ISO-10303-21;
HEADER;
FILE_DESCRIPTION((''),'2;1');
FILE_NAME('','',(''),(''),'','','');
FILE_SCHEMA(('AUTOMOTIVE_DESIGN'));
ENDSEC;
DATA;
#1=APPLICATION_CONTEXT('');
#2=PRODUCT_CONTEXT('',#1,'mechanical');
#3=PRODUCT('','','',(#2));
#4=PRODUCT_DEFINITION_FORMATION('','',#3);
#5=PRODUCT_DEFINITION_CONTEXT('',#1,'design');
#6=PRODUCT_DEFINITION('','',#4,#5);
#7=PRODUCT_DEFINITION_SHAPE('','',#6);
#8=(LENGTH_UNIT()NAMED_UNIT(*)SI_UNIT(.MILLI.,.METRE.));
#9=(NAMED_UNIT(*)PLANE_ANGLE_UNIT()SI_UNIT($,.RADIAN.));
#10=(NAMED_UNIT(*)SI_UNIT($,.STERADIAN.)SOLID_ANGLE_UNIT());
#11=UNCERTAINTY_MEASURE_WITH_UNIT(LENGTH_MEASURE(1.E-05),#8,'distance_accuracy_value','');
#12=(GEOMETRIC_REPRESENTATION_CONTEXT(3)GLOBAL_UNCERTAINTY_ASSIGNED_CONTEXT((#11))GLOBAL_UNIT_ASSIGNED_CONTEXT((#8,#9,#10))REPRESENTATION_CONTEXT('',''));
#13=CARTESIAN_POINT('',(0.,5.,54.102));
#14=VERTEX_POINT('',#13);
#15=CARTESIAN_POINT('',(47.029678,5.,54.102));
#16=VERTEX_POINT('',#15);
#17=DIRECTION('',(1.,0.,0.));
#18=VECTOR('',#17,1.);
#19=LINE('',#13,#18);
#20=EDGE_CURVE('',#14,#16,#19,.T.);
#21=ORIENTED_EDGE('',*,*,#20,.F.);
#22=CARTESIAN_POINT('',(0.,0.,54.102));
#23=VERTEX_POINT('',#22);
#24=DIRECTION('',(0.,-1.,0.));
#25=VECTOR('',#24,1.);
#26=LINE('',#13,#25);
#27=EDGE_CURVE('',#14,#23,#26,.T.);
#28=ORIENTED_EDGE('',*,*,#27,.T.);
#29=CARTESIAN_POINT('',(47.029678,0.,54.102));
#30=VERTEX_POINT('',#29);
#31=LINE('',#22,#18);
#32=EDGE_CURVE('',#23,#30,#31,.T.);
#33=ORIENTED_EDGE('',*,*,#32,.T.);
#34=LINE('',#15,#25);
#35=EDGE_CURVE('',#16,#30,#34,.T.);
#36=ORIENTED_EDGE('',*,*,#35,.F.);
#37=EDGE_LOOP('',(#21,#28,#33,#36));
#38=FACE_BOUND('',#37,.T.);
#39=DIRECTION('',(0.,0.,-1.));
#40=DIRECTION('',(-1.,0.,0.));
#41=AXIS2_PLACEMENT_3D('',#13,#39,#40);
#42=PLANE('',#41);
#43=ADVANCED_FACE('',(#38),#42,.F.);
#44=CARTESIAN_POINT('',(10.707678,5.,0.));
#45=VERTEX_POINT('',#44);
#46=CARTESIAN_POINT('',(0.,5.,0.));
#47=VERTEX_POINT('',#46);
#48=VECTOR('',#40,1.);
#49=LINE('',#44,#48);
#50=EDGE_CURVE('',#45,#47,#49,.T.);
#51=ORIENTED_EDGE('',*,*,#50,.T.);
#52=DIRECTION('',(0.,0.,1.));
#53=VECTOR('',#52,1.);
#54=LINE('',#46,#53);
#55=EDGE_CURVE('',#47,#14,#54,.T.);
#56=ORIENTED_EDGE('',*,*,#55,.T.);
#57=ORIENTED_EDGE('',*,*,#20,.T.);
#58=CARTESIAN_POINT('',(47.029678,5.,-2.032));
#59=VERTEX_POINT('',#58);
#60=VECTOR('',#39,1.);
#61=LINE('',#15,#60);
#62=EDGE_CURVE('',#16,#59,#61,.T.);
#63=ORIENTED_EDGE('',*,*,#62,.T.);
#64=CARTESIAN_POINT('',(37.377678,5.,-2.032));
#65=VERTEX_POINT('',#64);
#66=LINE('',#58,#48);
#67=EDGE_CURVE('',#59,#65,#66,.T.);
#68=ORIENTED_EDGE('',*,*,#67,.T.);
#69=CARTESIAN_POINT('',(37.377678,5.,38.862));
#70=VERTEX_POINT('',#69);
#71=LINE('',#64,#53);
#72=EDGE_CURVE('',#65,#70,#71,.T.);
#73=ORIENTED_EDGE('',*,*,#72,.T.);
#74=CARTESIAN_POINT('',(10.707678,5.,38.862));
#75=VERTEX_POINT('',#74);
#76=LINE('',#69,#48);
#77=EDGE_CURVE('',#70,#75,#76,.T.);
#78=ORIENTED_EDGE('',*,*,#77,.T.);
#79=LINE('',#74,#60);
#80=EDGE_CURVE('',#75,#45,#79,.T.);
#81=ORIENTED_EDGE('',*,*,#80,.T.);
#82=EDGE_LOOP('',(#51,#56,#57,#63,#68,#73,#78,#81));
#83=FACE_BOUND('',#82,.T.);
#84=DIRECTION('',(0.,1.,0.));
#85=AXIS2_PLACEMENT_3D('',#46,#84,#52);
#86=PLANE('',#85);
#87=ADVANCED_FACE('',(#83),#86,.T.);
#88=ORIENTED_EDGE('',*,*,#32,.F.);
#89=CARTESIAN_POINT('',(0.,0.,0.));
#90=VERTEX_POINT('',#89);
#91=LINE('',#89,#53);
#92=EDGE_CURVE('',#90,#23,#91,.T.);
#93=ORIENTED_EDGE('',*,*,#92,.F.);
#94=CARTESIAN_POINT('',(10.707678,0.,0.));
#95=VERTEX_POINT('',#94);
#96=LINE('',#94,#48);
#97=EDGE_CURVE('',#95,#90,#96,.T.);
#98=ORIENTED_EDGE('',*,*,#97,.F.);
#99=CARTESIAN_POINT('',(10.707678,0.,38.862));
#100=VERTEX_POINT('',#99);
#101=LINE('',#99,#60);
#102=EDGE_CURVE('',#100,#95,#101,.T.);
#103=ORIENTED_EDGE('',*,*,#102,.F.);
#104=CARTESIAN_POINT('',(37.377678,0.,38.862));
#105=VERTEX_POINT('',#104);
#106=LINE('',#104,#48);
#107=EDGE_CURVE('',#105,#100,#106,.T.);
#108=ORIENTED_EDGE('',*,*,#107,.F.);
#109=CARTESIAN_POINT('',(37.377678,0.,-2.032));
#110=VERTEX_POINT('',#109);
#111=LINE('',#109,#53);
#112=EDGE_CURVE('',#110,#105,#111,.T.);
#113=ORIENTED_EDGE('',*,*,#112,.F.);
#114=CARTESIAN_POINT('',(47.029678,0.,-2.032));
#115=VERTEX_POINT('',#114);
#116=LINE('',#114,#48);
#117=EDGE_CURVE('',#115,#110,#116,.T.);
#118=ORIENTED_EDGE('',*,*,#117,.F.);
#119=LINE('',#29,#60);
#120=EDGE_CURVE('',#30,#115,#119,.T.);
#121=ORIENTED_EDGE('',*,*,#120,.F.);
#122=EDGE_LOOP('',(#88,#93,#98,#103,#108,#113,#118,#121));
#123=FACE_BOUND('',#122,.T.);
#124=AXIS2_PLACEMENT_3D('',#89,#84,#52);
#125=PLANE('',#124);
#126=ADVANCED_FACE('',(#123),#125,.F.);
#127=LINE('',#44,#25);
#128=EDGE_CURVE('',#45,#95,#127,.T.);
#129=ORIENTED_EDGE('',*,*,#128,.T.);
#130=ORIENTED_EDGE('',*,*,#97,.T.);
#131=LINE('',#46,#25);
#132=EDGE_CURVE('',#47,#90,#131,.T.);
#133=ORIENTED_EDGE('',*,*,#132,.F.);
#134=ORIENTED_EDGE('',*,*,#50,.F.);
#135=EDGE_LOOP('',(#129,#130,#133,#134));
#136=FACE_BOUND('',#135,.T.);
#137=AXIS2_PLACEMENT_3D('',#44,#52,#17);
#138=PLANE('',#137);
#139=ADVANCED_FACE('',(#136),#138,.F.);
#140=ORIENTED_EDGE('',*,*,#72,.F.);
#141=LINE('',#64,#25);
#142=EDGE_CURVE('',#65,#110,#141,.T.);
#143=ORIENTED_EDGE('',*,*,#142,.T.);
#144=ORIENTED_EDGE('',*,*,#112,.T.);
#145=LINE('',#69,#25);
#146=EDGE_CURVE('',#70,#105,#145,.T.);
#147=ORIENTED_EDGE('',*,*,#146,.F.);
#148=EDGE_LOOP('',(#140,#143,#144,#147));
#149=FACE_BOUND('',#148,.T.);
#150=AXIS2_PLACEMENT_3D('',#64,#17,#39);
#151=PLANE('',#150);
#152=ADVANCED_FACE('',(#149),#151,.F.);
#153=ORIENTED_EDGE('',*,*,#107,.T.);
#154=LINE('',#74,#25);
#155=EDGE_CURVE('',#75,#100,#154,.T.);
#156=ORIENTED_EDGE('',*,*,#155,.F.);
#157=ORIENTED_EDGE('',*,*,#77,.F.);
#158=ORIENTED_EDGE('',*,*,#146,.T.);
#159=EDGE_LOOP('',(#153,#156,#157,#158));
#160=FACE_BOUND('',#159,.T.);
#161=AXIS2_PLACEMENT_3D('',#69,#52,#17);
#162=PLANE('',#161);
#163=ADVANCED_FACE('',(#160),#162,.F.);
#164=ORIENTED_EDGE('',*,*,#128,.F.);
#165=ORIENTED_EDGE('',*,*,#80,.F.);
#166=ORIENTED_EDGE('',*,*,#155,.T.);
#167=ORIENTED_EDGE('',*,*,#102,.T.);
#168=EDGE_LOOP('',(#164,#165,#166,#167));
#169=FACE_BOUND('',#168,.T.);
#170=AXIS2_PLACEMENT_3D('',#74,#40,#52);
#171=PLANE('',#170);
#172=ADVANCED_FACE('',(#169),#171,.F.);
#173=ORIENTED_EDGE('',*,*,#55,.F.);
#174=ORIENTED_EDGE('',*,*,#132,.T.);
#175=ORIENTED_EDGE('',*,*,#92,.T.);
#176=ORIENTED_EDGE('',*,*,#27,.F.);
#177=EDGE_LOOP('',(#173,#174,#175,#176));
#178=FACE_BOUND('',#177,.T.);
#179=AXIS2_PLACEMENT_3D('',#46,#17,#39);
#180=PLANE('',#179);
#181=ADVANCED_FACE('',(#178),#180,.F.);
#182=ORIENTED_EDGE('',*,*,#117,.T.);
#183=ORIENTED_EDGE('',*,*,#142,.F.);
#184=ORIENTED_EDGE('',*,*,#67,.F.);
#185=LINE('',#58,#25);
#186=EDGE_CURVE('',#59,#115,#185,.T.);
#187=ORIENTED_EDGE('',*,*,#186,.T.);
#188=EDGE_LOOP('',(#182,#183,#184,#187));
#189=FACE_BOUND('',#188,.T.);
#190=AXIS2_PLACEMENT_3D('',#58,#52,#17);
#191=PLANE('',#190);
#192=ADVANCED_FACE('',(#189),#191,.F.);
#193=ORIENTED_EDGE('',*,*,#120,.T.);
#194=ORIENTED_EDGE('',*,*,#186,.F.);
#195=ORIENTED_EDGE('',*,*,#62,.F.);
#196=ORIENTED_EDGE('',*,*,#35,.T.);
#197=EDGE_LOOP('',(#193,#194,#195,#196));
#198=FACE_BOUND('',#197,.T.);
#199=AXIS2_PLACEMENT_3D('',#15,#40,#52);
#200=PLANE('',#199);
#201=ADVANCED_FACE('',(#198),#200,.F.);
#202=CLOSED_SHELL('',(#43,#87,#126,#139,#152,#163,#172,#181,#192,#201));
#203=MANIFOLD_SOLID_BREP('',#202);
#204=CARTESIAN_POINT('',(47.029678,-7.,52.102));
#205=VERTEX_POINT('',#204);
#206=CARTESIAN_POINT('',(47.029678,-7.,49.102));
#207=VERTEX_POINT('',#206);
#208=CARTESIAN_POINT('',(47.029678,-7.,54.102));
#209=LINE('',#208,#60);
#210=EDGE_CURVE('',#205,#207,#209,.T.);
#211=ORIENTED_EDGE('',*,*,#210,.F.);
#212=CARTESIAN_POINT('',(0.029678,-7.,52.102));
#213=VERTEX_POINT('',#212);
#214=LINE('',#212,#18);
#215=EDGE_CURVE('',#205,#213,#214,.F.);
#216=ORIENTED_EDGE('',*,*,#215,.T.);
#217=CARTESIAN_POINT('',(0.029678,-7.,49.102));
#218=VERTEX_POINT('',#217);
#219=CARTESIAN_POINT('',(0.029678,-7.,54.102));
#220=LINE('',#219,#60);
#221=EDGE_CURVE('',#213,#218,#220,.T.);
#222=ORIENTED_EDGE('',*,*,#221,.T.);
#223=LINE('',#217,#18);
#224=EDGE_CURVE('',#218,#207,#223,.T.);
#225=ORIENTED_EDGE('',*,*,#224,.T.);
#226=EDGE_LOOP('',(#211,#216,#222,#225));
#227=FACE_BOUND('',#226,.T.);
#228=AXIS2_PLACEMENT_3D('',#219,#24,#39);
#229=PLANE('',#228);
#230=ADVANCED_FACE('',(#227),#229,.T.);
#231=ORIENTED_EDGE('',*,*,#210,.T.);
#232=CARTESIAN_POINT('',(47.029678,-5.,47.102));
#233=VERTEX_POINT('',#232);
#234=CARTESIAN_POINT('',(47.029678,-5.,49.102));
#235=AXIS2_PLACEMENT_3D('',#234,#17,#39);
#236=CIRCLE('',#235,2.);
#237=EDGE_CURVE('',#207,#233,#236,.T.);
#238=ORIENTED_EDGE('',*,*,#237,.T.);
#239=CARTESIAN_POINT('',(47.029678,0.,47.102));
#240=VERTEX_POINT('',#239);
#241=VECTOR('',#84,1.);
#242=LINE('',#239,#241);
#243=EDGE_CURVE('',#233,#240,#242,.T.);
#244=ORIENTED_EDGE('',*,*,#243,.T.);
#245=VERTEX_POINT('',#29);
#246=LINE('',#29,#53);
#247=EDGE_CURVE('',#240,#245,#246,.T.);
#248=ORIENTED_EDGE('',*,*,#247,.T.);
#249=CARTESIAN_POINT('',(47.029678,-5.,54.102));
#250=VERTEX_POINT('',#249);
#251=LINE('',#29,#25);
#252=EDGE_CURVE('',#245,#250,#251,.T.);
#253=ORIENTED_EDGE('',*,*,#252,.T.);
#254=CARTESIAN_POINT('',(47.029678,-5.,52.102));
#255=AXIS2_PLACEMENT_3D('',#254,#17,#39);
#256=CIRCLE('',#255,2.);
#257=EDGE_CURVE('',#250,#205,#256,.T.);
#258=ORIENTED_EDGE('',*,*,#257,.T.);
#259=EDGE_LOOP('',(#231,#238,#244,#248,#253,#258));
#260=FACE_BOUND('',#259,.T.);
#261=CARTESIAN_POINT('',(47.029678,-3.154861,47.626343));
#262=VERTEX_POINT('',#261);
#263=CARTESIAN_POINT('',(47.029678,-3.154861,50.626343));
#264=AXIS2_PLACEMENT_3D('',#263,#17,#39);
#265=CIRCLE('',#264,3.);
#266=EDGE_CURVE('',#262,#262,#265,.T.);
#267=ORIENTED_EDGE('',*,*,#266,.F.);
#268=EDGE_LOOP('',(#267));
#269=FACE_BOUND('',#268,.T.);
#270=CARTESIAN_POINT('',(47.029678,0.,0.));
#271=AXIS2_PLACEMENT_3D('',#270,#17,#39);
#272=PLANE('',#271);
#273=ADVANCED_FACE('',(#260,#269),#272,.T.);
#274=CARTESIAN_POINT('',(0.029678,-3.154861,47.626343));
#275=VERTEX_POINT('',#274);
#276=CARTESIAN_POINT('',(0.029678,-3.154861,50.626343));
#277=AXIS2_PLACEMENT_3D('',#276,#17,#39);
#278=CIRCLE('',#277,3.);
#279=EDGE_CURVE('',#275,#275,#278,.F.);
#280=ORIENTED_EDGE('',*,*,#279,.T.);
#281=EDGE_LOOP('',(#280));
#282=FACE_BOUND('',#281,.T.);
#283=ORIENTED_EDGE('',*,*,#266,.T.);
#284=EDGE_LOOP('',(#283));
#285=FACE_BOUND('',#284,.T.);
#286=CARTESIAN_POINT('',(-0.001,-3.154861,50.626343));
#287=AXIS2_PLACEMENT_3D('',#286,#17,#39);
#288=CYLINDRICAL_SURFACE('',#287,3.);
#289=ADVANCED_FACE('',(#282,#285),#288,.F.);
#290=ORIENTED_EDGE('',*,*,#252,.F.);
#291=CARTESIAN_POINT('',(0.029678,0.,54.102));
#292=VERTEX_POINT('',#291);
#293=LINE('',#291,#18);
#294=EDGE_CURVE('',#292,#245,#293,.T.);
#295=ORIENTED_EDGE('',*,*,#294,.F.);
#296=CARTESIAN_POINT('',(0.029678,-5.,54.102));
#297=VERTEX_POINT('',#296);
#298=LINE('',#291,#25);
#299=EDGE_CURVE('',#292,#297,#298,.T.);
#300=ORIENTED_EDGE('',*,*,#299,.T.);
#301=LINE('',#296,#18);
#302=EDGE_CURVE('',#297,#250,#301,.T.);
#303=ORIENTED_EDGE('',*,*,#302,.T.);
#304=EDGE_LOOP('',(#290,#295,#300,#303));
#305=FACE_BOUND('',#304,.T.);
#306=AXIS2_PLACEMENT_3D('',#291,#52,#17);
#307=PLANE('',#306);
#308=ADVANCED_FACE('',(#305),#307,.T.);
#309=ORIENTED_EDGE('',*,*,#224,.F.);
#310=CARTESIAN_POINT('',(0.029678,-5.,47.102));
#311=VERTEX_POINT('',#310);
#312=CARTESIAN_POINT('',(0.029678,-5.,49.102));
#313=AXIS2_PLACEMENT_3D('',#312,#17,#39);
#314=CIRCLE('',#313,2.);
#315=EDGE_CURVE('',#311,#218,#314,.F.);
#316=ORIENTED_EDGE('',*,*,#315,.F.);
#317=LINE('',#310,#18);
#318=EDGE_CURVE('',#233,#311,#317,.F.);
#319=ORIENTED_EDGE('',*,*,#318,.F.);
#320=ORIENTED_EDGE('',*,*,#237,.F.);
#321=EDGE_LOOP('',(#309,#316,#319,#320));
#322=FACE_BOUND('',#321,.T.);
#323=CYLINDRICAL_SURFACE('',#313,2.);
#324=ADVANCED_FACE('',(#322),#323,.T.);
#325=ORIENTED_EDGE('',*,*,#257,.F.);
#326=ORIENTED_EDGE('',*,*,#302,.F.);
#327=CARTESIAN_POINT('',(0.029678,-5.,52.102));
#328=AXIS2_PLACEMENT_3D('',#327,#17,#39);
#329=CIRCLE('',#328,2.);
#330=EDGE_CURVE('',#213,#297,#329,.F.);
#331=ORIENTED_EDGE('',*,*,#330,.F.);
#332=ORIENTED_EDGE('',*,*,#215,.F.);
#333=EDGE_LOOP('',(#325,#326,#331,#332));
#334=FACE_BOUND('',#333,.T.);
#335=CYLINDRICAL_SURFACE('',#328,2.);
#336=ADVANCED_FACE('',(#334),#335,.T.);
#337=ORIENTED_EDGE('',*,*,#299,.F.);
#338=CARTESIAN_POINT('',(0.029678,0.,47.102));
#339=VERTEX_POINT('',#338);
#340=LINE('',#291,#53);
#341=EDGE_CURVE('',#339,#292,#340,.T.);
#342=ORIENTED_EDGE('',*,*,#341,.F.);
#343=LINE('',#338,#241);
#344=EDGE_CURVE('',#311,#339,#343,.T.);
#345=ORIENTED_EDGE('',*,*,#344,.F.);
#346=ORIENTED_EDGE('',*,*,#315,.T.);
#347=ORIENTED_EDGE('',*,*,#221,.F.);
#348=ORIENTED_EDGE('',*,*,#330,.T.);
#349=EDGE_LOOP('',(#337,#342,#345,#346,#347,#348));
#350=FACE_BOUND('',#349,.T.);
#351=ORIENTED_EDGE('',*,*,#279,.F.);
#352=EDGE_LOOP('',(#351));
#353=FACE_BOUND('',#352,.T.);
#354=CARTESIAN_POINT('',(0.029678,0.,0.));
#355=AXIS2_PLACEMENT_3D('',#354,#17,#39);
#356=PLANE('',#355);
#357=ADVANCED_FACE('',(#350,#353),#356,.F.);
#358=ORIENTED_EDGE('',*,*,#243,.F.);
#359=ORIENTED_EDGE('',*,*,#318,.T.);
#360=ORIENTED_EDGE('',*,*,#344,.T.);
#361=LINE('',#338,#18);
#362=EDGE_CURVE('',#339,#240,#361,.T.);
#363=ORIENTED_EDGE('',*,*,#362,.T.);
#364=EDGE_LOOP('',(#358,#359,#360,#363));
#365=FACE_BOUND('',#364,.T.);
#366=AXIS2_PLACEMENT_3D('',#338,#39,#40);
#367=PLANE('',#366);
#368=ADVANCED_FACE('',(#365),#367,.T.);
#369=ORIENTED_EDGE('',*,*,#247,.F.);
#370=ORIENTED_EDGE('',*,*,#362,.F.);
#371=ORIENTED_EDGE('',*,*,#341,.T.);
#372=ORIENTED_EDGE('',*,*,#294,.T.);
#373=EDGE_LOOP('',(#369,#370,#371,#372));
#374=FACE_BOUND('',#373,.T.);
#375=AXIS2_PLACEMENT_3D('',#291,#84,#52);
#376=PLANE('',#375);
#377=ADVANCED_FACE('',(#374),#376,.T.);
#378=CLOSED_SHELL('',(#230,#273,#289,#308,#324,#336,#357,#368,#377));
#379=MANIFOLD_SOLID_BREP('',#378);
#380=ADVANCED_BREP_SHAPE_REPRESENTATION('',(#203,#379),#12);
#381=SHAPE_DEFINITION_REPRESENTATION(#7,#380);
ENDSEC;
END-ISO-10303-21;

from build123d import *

# Parameters (mm, degrees)
BOSS_EXTRUDE1_DEPTH = 5
SKETCH2_W           = 7
SKETCH2_H           = 7
BOSS_EXTRUDE2_DEPTH = 47
SKETCH5_R           = 3
CUT_EXTRUDE1_DEPTH  = 47
FILLET2_R           = 2


with BuildPart() as part:
    # Sketch1 → Boss-Extrude1 (new body)
    with BuildSketch(Plane(origin=(0, 0, 0), x_dir=(1, 0, 0), z_dir=(0, 1, 0))):
        Polygon((0, 0), (0, -54.102), (47.029678449, -54.102), (47.029678449, 2.032), (37.377678449, 2.032), (37.377678449, -38.862), (10.707678449, -38.862), (10.707678449, 0), align=None)
    extrude(amount=BOSS_EXTRUDE1_DEPTH)


with BuildPart() as body_2:
    # Sketch2 → Boss-Extrude2 (new body)
    with BuildSketch(Plane(origin=(47.029678449, 0, 0), x_dir=(0, 0, -1), z_dir=(1, 0, 0))):
        with Locations((-50.602, -3.5)):
            Rectangle(SKETCH2_W, SKETCH2_H)
    extrude(amount=-BOSS_EXTRUDE2_DEPTH)

    # Sketch5 → Cut-Extrude1 (cut)
    with BuildSketch(Plane(origin=(47.029678449, 0, 0), x_dir=(0, 0, -1), z_dir=(1, 0, 0))):
        with Locations((-50.626343161, -3.154860788)):
            Circle(SKETCH5_R)
    extrude(amount=-CUT_EXTRUDE1_DEPTH, mode=Mode.SUBTRACT)

    # Fillet2
    fillet2_edges = [body_2.edges().sort_by_distance(p)[0] for p in [
        (23.529678449, -7, 47.102),
        (23.529678449, -7, 54.102),
    ]]
    fillet(fillet2_edges, radius=FILLET2_R)


solid = Compound([part.part, body_2.part])
